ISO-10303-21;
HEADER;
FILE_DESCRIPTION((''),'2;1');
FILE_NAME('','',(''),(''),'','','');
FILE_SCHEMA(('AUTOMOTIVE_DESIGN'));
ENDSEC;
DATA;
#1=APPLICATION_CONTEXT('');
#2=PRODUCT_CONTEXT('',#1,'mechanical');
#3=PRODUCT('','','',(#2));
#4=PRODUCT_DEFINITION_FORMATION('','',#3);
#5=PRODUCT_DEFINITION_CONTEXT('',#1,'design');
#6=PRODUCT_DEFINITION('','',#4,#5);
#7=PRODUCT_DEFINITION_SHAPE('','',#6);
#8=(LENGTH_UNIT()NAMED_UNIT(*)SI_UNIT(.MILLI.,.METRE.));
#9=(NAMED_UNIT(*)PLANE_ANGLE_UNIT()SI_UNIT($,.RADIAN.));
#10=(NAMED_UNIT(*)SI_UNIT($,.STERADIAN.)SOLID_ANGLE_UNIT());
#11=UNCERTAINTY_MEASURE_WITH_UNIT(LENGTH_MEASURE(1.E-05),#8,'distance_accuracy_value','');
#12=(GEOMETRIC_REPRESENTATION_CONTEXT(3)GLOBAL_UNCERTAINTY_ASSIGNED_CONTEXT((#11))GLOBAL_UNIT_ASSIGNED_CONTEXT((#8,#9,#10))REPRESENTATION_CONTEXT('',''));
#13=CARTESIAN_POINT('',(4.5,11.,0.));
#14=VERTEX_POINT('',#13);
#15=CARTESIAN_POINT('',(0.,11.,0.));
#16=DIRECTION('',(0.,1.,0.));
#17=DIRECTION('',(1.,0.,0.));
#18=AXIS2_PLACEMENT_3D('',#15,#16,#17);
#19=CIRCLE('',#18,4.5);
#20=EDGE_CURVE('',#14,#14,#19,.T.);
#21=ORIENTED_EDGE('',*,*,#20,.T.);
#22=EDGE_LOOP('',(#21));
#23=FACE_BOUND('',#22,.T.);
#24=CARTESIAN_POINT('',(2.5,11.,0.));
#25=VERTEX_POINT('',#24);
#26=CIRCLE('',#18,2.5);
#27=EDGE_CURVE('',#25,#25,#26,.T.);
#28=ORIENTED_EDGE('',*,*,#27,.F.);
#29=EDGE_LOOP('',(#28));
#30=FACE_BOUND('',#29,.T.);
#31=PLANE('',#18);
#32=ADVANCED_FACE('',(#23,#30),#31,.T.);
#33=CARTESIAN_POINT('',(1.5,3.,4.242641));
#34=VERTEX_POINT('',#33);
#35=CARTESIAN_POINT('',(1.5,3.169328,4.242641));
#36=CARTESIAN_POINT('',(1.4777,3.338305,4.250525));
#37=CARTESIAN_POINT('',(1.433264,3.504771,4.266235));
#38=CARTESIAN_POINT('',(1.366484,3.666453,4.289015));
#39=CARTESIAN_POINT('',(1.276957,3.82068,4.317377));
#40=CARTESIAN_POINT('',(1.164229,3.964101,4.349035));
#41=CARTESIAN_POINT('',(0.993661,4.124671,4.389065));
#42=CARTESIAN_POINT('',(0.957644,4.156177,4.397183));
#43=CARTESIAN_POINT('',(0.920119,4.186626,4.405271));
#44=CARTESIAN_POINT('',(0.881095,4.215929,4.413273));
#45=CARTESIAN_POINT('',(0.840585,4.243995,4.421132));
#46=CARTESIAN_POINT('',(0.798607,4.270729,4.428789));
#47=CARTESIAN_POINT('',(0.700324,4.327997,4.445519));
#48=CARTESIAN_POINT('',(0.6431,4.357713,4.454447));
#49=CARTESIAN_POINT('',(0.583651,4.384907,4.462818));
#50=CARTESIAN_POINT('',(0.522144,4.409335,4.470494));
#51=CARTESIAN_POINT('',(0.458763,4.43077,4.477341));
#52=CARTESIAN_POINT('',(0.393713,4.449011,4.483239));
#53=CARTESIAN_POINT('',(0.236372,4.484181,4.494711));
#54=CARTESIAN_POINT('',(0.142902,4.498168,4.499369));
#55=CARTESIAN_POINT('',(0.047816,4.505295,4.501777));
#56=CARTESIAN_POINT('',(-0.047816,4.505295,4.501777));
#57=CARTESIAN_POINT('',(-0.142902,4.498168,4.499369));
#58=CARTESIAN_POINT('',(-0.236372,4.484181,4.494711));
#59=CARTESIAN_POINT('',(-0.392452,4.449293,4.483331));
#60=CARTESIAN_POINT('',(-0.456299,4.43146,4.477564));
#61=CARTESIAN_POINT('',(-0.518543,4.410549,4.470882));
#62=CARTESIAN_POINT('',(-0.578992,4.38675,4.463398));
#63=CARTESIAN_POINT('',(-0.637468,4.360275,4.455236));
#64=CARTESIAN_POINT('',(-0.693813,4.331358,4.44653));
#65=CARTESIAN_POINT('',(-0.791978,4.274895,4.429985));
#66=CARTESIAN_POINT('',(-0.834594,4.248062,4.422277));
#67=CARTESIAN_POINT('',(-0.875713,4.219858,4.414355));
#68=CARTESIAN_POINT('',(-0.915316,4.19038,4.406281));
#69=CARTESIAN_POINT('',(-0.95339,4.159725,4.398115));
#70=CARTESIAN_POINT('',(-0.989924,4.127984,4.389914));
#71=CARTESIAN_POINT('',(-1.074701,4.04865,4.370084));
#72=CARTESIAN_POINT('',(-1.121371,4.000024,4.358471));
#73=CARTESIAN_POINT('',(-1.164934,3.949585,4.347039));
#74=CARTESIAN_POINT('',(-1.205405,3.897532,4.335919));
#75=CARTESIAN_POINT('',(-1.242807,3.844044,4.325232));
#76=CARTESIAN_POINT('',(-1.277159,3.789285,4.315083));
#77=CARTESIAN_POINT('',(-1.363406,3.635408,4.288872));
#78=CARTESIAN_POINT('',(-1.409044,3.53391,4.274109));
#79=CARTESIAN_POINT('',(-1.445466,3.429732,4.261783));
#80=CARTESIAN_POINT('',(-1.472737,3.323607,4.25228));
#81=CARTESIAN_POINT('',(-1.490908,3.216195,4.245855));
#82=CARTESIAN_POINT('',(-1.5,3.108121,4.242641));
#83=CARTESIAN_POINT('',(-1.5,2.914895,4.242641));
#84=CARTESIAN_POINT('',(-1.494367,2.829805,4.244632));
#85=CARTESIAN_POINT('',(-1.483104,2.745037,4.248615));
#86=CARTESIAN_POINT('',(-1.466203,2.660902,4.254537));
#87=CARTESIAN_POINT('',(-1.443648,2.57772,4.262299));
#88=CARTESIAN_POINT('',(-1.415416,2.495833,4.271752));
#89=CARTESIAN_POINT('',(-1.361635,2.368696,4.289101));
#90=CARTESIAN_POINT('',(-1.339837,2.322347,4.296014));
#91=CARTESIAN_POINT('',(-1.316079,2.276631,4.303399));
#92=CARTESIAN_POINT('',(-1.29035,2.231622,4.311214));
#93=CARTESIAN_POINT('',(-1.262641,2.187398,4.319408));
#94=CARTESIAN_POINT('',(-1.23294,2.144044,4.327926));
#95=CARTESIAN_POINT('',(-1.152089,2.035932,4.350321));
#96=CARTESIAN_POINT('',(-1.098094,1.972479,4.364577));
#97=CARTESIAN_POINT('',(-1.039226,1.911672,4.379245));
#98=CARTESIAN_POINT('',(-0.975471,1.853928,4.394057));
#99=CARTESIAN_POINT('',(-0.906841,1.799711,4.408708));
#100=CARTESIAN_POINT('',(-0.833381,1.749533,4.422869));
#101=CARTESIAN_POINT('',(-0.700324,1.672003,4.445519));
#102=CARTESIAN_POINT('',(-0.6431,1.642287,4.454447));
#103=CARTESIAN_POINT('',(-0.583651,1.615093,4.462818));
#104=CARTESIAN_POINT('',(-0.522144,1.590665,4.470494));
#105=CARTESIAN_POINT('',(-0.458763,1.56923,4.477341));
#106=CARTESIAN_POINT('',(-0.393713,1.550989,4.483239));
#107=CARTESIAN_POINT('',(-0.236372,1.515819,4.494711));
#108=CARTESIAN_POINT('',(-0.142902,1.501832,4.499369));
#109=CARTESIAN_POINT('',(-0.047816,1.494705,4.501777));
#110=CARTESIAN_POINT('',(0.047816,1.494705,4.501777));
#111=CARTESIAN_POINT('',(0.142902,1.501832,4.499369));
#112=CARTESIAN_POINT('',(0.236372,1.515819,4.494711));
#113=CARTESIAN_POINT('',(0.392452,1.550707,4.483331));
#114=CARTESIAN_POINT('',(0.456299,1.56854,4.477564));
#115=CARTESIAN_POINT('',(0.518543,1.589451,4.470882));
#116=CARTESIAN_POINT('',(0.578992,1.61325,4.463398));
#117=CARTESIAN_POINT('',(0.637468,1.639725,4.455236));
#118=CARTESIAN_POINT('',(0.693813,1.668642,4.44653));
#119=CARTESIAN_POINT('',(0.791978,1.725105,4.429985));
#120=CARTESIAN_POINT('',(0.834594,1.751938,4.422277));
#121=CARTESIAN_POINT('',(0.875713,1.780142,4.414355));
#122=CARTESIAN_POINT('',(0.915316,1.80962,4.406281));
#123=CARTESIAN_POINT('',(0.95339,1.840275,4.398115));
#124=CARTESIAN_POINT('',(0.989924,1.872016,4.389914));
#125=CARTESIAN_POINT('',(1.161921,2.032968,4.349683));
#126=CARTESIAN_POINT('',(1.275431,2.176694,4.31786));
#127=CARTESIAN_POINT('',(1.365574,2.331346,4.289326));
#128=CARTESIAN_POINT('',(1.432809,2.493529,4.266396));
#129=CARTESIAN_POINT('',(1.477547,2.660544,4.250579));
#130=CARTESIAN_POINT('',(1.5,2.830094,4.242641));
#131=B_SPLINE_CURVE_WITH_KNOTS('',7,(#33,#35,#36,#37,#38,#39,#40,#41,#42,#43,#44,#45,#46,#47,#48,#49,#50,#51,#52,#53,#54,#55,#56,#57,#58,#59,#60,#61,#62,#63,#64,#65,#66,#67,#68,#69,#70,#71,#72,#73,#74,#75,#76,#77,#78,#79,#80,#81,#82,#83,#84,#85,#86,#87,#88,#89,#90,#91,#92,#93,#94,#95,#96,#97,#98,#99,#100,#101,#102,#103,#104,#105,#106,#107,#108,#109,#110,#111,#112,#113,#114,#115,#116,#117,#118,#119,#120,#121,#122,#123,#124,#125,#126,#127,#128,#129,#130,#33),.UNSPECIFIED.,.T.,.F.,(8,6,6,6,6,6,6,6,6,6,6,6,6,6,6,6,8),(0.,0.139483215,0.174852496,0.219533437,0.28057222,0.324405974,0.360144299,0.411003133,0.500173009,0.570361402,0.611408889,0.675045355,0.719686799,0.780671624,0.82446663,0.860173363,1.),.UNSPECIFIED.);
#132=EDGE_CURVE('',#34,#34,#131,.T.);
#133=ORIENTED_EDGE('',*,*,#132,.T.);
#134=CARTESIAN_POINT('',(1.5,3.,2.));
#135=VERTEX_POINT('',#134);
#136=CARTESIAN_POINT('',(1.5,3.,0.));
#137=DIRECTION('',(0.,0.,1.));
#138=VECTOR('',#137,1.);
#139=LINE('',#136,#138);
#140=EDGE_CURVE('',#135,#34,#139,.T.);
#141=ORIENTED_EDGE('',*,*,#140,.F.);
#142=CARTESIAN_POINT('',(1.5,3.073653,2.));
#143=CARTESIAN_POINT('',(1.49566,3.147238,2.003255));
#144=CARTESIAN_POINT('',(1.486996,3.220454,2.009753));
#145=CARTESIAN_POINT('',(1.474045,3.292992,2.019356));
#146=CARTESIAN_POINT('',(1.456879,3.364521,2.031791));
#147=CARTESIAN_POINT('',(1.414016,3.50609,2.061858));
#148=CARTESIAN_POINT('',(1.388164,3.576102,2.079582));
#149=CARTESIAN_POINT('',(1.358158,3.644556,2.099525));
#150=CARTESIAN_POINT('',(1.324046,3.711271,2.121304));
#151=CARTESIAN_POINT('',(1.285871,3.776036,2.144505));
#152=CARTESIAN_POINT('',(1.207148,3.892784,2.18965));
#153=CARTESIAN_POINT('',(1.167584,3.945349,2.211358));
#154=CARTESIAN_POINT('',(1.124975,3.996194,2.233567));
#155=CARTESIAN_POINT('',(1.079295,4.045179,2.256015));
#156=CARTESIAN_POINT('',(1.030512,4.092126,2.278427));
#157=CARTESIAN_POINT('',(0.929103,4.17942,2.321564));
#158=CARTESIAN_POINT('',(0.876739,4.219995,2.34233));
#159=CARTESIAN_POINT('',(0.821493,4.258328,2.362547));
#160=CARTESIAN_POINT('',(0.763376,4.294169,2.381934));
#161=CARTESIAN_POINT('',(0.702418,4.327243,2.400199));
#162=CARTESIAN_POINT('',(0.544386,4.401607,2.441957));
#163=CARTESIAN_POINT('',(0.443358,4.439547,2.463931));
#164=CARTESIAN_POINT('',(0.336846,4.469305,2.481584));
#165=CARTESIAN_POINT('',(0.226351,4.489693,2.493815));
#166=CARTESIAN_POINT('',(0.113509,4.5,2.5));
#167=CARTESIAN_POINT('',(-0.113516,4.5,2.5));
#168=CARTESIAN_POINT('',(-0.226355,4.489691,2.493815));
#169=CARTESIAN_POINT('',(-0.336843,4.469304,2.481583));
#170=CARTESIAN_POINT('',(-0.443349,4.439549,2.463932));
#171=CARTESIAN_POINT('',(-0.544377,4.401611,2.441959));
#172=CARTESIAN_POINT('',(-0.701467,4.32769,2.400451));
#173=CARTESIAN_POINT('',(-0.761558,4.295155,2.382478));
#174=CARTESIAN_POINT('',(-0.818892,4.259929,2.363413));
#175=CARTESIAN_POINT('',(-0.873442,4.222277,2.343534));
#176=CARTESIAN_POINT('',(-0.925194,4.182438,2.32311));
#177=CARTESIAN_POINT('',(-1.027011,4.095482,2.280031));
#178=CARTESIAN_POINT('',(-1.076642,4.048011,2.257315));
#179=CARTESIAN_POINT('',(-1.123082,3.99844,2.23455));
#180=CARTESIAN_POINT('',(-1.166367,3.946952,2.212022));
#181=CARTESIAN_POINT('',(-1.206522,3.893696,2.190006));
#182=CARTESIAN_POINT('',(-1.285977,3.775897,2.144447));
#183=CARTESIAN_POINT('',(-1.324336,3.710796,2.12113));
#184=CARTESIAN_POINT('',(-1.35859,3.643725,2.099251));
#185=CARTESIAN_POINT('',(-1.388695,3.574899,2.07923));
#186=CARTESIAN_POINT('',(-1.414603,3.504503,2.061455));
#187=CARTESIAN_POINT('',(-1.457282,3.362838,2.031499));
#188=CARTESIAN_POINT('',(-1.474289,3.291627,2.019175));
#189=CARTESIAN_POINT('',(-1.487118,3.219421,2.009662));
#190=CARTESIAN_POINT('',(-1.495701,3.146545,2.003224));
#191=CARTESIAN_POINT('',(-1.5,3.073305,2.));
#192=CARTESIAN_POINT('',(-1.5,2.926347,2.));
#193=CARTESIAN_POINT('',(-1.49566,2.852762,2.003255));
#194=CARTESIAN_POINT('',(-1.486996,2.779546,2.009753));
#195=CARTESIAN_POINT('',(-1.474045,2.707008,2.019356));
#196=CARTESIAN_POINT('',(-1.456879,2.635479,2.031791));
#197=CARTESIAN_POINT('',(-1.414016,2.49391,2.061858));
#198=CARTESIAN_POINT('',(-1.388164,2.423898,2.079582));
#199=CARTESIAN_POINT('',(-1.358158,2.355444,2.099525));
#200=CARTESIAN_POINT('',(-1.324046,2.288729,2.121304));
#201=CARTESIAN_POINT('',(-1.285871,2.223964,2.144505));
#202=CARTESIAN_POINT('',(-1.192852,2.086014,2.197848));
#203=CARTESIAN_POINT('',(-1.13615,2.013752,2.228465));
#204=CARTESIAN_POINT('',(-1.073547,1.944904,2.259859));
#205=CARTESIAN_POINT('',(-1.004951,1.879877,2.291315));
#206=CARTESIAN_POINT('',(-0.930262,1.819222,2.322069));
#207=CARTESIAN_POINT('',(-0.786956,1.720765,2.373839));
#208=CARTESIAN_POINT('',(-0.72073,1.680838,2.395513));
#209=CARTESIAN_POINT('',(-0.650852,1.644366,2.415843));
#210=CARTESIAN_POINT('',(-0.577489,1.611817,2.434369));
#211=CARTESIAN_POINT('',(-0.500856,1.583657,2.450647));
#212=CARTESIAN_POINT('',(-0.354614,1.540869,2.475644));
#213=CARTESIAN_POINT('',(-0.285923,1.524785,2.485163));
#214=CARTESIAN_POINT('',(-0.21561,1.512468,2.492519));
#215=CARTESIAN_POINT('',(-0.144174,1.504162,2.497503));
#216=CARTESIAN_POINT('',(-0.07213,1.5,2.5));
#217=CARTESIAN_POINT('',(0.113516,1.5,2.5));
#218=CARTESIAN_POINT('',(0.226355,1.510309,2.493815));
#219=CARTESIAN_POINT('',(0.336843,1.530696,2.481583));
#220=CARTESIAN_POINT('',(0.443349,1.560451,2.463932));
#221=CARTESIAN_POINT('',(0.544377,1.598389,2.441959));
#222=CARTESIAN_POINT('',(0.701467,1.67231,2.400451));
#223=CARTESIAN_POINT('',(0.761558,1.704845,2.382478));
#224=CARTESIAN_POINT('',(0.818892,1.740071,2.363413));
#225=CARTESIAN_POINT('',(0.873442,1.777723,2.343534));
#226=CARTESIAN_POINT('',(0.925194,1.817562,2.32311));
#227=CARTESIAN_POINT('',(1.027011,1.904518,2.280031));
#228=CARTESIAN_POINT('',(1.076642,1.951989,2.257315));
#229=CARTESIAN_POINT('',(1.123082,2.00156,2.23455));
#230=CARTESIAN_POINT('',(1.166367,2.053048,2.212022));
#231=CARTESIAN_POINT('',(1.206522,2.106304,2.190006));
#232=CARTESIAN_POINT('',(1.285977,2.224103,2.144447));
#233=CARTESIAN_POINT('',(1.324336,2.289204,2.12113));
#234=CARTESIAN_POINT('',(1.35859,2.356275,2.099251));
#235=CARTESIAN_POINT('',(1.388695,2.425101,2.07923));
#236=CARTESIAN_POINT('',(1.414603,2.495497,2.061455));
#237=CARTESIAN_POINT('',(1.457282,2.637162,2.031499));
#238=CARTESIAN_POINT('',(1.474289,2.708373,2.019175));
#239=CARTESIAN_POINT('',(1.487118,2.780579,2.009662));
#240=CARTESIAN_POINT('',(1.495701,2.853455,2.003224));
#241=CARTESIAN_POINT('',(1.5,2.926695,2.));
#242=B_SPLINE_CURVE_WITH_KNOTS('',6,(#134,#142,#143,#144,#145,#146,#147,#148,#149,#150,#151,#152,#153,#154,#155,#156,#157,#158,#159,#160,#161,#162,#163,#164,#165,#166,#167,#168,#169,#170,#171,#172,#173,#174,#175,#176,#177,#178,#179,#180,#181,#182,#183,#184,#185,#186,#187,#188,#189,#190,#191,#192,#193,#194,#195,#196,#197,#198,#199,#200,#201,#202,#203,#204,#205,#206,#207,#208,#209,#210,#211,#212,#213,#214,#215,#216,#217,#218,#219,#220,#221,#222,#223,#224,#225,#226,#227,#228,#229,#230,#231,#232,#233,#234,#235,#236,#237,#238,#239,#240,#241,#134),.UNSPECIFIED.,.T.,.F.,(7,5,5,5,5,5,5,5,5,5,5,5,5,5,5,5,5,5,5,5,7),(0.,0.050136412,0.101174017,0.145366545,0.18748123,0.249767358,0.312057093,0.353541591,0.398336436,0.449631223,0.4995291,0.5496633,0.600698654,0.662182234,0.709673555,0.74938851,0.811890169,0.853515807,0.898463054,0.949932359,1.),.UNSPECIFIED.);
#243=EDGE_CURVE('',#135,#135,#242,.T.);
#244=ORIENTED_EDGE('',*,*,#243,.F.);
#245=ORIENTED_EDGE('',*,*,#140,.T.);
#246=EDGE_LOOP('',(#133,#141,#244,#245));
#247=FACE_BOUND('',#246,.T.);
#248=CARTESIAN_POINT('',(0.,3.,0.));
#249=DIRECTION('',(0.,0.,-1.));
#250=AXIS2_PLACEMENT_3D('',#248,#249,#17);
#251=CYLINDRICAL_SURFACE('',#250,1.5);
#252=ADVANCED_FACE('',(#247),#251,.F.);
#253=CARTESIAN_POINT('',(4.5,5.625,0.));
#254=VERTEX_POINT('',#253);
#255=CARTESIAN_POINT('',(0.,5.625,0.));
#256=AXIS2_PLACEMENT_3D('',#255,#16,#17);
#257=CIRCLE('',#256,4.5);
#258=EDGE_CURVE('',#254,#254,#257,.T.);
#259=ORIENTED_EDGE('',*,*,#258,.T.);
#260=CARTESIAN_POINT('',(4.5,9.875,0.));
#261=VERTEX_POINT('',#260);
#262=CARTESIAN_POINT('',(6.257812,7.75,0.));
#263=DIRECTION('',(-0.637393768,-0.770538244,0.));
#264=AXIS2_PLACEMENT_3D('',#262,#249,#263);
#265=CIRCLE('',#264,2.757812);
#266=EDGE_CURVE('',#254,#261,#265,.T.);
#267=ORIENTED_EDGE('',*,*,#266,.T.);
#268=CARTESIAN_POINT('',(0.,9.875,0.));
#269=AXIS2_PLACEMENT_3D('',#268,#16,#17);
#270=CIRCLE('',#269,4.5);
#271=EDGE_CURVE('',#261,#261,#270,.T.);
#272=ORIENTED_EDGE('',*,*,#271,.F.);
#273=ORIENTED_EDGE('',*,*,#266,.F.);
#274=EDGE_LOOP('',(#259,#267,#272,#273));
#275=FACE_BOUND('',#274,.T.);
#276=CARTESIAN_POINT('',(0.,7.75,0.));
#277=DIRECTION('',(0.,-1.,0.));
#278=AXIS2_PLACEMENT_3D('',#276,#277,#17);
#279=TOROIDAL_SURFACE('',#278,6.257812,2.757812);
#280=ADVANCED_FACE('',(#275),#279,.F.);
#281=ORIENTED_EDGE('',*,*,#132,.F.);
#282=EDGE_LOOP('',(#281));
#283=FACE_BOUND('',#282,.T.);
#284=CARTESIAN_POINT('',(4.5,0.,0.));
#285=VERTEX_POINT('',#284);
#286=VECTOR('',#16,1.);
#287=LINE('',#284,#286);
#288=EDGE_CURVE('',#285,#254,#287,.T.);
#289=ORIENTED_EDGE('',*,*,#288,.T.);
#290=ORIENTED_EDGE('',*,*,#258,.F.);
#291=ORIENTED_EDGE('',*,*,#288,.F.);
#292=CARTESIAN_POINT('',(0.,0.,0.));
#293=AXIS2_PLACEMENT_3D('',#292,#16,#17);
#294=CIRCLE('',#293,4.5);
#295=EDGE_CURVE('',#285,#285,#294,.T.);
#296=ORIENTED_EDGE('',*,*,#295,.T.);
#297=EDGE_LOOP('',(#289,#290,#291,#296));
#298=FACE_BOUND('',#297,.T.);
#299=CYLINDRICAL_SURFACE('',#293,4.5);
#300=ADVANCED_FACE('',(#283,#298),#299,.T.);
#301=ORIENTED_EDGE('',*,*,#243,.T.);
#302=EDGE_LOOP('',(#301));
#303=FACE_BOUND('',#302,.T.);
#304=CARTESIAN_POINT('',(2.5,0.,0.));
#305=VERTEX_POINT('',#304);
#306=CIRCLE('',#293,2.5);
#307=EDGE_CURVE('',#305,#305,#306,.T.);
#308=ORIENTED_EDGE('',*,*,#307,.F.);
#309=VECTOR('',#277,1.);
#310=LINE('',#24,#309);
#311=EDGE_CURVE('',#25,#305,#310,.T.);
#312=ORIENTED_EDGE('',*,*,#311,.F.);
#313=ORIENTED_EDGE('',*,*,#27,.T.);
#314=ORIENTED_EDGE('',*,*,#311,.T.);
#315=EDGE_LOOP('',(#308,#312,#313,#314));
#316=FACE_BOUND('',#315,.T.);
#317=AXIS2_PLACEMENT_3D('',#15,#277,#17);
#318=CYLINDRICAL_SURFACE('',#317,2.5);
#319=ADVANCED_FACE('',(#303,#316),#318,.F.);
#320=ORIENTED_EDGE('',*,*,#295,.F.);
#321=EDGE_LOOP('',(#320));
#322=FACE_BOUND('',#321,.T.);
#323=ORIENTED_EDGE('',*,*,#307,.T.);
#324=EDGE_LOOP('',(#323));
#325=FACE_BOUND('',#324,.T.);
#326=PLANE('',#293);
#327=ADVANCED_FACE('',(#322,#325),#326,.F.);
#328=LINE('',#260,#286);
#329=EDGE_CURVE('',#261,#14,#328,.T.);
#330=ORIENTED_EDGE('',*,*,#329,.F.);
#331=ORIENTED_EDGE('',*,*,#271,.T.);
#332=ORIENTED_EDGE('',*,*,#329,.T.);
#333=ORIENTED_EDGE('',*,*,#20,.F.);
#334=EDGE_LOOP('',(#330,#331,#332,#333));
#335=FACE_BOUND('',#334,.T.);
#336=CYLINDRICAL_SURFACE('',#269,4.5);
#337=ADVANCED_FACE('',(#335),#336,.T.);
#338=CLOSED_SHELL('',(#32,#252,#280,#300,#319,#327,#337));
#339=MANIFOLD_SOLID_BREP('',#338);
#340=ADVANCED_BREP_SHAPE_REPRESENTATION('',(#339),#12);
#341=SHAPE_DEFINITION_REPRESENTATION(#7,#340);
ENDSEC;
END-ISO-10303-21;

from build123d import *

# Parameters (mm, degrees)
F2_R     = 1.5
F3_DEPTH = 4.501


with BuildPart() as f1:
    # F0 (on Top) → F1 (revolve)
    with BuildSketch(Plane.XY):
        with BuildLine():
            Line((2.5, 11), (2.5, 0))
            Line((2.5, 0), (4.5, 0))
            Line((4.5, 0), (4.5, 5.625))
            ThreePointArc((4.5, 5.625), (3.5, 7.75), (4.5, 9.875))
            Line((4.5, 9.875), (4.5, 11))
            Line((4.5, 11), (2.5, 11))
        make_face()
    revolve(axis=Axis((0, 5.5, 0), (0, 1, 0)))

    # F2 (on Top) → F3 (cut, through all)
    with BuildSketch(Plane.XY):
        with Locations((0, 3)):
            Circle(F2_R)
    extrude(amount=F3_DEPTH, mode=Mode.SUBTRACT)


solid = f1.part
